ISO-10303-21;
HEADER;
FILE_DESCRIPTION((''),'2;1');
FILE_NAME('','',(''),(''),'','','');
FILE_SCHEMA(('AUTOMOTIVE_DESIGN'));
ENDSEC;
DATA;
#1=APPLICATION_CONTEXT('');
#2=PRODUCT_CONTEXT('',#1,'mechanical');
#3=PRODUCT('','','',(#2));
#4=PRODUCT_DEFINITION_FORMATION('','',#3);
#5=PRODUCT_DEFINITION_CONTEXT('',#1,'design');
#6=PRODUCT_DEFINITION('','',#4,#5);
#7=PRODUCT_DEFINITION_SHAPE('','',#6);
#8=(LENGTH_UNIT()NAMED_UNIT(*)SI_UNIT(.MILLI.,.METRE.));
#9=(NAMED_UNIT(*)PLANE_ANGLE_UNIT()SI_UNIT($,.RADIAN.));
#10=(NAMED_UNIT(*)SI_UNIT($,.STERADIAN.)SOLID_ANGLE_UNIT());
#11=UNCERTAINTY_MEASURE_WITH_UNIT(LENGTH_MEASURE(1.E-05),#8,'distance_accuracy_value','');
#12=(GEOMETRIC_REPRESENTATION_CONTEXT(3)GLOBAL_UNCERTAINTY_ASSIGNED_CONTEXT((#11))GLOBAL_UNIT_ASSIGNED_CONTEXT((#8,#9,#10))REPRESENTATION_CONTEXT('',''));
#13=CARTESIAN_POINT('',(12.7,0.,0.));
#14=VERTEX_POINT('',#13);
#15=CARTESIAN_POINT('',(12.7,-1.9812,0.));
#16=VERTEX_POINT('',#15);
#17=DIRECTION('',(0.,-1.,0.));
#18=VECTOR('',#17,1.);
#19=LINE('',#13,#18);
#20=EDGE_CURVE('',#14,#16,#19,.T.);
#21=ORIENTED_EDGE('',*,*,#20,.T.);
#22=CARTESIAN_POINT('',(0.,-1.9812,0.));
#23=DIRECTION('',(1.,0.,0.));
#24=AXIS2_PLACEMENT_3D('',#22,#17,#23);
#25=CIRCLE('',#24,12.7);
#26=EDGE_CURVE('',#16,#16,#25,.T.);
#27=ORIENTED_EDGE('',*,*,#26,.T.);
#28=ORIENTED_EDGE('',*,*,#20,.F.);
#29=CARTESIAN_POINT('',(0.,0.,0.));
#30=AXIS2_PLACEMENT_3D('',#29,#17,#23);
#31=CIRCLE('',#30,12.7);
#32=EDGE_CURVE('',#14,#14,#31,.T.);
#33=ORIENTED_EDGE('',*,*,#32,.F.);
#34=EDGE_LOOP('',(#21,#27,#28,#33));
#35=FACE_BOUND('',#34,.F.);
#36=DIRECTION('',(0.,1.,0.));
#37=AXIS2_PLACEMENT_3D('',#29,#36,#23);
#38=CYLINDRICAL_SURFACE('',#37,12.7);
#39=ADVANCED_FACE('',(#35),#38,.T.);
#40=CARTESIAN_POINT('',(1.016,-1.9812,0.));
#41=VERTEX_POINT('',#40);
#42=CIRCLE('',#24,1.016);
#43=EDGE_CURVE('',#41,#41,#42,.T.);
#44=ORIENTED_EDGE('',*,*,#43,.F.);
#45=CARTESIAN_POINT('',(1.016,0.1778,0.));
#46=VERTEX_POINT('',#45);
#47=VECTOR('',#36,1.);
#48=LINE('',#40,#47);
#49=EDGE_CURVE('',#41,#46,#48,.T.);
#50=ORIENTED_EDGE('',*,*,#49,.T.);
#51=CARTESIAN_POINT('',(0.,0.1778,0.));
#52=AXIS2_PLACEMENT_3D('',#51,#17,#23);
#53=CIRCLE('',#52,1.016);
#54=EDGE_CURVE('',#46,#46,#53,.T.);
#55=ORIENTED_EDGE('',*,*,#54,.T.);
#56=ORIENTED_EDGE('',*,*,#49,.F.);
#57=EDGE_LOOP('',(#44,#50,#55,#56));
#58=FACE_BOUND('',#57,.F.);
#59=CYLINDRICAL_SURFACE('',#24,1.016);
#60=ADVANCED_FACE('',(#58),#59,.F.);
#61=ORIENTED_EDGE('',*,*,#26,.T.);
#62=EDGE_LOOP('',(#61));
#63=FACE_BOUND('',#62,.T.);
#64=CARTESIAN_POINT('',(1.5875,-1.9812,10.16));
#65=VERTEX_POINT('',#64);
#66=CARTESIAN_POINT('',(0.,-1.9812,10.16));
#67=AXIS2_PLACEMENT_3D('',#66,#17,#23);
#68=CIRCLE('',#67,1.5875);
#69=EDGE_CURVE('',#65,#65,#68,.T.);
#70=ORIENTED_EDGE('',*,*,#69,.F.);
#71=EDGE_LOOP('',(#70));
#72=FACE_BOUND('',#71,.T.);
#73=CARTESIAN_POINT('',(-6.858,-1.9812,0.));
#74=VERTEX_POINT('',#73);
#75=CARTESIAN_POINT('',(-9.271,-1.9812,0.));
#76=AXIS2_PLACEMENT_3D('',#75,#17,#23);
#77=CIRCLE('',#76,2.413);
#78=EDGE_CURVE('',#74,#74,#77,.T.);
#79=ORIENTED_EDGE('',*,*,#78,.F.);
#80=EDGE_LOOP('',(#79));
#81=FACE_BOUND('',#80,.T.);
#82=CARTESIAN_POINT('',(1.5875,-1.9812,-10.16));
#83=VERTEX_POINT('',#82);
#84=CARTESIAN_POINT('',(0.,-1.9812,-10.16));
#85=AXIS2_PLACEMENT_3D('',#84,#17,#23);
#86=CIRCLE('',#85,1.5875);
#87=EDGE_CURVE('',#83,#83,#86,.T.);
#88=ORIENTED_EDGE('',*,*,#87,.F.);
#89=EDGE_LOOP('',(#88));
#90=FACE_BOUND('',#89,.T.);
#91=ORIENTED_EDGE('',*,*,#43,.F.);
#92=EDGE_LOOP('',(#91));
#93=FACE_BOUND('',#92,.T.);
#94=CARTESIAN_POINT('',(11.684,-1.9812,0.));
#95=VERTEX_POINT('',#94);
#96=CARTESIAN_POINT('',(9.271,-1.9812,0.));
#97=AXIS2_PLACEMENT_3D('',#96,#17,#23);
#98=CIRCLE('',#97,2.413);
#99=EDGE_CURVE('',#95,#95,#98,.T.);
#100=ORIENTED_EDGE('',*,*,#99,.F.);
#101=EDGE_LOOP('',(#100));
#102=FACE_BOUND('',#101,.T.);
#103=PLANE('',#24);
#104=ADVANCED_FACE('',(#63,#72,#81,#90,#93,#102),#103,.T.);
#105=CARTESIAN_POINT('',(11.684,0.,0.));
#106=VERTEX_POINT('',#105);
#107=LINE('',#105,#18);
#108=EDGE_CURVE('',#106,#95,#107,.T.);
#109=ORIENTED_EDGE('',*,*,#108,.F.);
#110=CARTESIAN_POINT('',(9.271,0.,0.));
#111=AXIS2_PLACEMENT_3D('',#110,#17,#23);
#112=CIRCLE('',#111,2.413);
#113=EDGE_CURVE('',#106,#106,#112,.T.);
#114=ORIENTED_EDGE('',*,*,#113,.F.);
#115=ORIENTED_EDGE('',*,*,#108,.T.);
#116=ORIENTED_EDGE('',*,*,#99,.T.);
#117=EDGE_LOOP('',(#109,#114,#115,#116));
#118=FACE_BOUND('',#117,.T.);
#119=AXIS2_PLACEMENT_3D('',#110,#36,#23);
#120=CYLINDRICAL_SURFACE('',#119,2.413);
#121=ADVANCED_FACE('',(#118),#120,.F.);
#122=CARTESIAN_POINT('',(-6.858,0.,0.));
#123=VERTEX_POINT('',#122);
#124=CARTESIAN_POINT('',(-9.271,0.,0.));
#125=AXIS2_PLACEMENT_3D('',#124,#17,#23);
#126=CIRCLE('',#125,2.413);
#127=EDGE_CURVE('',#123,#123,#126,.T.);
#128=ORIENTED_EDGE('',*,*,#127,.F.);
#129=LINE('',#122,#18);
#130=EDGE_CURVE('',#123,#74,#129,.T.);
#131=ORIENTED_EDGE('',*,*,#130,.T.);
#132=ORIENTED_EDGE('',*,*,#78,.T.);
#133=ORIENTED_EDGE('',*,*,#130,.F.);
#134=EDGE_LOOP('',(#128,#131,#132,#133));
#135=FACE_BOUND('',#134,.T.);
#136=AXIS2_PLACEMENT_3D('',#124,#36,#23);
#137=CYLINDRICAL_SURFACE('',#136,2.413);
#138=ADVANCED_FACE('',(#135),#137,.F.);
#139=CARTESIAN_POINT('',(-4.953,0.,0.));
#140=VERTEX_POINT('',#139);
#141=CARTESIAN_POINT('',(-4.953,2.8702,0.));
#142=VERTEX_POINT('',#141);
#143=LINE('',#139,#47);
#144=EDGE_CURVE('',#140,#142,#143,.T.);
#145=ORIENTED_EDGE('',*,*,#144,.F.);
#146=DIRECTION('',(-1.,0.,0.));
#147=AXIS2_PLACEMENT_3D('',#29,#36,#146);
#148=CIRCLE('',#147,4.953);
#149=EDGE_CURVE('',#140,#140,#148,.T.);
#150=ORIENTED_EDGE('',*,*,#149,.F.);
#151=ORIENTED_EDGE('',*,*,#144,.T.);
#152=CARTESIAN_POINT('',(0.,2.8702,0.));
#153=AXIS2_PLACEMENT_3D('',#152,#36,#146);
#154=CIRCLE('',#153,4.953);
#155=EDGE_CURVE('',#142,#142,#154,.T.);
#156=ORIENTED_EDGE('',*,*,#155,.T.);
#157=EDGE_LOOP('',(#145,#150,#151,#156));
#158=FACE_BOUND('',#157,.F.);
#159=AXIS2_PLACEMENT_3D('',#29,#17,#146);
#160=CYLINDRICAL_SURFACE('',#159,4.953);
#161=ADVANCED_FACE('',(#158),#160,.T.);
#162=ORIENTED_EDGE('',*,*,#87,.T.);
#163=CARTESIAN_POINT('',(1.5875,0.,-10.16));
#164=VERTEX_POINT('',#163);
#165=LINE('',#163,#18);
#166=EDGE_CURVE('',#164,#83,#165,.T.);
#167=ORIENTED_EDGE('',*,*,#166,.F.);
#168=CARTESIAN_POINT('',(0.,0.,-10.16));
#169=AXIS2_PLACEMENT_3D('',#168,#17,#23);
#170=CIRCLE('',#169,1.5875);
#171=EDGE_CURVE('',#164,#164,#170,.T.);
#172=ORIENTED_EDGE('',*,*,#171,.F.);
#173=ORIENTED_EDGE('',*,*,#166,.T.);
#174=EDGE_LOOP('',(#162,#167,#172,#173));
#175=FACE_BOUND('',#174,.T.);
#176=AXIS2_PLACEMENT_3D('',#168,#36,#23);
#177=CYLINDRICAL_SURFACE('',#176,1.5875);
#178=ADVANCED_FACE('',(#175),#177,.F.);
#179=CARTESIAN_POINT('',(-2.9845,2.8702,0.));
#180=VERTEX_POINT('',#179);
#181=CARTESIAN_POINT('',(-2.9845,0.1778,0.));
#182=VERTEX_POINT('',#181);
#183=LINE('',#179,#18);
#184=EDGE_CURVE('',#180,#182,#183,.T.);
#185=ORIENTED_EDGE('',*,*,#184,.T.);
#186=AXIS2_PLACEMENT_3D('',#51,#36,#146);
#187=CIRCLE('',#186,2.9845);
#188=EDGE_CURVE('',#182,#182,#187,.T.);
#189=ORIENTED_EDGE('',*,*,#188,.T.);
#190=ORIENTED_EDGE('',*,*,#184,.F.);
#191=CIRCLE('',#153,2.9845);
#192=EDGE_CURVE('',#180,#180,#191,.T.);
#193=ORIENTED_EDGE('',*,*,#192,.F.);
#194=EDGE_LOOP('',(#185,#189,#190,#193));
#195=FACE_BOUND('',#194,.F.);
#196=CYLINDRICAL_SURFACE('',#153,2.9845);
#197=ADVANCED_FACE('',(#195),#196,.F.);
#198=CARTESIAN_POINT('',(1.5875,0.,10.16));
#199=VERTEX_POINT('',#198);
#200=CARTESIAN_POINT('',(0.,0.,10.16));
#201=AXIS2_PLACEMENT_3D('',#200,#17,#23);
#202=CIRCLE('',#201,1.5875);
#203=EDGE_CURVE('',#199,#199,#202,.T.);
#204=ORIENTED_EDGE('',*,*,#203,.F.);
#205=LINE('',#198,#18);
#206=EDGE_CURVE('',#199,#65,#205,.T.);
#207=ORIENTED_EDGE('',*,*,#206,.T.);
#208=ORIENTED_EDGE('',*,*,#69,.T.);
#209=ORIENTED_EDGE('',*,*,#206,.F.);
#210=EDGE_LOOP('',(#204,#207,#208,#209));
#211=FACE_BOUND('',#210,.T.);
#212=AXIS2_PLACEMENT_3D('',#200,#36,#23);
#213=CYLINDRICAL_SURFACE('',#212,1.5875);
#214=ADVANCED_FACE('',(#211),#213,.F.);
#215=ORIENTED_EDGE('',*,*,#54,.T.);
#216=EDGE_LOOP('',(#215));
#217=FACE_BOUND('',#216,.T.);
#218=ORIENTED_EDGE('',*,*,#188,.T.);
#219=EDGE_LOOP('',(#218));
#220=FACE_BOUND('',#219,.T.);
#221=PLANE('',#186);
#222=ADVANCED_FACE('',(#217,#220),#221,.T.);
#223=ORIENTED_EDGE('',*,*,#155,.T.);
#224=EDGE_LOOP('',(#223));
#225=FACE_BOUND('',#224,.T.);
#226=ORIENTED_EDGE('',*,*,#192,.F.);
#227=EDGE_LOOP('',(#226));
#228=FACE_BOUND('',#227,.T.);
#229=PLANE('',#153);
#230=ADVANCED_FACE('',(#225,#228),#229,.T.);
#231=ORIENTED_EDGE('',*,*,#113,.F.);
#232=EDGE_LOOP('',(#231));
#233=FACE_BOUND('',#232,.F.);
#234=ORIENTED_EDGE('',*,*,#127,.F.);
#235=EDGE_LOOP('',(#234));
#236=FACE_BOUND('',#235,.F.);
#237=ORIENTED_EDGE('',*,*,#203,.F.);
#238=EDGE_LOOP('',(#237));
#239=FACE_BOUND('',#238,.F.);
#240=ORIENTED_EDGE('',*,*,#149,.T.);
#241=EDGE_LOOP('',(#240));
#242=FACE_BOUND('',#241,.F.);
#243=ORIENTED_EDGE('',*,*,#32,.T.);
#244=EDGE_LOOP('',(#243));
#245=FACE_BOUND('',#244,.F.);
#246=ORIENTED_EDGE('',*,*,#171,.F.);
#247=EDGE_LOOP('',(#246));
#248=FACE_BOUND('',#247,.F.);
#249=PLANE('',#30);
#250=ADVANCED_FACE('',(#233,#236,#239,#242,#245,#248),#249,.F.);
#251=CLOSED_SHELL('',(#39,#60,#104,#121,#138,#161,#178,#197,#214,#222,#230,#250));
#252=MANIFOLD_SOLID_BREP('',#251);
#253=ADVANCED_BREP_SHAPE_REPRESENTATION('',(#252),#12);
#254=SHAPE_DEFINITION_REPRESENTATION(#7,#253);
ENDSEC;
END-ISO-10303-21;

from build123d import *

# Parameters (mm, degrees)
F0_R     = 12.7
F0_R_2   = 1.5875
F0_R_3   = 2.413
F1_DEPTH = 1.9812
F2_R     = 4.953
F3_DEPTH = 2.8702
F4_R     = 2.9845
F5_DEPTH = 2.6924
F6_R     = 1.016
F7_DEPTH = 4.8524


with BuildPart() as f1:
    # F0 (on Front) → F1 (new body)
    with BuildSketch(Plane.XZ):
        Circle(F0_R)
        with Locations((0, -10.16)):
            Circle(F0_R_2, mode=Mode.SUBTRACT)
        with Locations((-9.271, 0)):
            Circle(F0_R_3, mode=Mode.SUBTRACT)
        with Locations((9.271, 0)):
            Circle(F0_R_3, mode=Mode.SUBTRACT)
        with Locations((0, 10.16)):
            Circle(F0_R_2, mode=Mode.SUBTRACT)
    extrude(amount=F1_DEPTH)

    # F2 (on face) → F3 (join)
    with BuildSketch(Plane(origin=(0, 0, 0), x_dir=(-1, 0, 0), z_dir=(0, 1, 0))):
        Circle(F2_R)
    extrude(amount=F3_DEPTH)

    # F4 (on face) → F5 (cut)
    with BuildSketch(Plane(origin=(0, 2.8702, 0), x_dir=(-1, 0, 0), z_dir=(0, 1, 0))):
        Circle(F4_R)
    extrude(amount=-F5_DEPTH, mode=Mode.SUBTRACT)

    # F6 (on face) → F7 (cut, through all)
    with BuildSketch(Plane.XZ.offset(1.9812)):
        Circle(F6_R)
    extrude(amount=-F7_DEPTH, mode=Mode.SUBTRACT)


solid = f1.part
